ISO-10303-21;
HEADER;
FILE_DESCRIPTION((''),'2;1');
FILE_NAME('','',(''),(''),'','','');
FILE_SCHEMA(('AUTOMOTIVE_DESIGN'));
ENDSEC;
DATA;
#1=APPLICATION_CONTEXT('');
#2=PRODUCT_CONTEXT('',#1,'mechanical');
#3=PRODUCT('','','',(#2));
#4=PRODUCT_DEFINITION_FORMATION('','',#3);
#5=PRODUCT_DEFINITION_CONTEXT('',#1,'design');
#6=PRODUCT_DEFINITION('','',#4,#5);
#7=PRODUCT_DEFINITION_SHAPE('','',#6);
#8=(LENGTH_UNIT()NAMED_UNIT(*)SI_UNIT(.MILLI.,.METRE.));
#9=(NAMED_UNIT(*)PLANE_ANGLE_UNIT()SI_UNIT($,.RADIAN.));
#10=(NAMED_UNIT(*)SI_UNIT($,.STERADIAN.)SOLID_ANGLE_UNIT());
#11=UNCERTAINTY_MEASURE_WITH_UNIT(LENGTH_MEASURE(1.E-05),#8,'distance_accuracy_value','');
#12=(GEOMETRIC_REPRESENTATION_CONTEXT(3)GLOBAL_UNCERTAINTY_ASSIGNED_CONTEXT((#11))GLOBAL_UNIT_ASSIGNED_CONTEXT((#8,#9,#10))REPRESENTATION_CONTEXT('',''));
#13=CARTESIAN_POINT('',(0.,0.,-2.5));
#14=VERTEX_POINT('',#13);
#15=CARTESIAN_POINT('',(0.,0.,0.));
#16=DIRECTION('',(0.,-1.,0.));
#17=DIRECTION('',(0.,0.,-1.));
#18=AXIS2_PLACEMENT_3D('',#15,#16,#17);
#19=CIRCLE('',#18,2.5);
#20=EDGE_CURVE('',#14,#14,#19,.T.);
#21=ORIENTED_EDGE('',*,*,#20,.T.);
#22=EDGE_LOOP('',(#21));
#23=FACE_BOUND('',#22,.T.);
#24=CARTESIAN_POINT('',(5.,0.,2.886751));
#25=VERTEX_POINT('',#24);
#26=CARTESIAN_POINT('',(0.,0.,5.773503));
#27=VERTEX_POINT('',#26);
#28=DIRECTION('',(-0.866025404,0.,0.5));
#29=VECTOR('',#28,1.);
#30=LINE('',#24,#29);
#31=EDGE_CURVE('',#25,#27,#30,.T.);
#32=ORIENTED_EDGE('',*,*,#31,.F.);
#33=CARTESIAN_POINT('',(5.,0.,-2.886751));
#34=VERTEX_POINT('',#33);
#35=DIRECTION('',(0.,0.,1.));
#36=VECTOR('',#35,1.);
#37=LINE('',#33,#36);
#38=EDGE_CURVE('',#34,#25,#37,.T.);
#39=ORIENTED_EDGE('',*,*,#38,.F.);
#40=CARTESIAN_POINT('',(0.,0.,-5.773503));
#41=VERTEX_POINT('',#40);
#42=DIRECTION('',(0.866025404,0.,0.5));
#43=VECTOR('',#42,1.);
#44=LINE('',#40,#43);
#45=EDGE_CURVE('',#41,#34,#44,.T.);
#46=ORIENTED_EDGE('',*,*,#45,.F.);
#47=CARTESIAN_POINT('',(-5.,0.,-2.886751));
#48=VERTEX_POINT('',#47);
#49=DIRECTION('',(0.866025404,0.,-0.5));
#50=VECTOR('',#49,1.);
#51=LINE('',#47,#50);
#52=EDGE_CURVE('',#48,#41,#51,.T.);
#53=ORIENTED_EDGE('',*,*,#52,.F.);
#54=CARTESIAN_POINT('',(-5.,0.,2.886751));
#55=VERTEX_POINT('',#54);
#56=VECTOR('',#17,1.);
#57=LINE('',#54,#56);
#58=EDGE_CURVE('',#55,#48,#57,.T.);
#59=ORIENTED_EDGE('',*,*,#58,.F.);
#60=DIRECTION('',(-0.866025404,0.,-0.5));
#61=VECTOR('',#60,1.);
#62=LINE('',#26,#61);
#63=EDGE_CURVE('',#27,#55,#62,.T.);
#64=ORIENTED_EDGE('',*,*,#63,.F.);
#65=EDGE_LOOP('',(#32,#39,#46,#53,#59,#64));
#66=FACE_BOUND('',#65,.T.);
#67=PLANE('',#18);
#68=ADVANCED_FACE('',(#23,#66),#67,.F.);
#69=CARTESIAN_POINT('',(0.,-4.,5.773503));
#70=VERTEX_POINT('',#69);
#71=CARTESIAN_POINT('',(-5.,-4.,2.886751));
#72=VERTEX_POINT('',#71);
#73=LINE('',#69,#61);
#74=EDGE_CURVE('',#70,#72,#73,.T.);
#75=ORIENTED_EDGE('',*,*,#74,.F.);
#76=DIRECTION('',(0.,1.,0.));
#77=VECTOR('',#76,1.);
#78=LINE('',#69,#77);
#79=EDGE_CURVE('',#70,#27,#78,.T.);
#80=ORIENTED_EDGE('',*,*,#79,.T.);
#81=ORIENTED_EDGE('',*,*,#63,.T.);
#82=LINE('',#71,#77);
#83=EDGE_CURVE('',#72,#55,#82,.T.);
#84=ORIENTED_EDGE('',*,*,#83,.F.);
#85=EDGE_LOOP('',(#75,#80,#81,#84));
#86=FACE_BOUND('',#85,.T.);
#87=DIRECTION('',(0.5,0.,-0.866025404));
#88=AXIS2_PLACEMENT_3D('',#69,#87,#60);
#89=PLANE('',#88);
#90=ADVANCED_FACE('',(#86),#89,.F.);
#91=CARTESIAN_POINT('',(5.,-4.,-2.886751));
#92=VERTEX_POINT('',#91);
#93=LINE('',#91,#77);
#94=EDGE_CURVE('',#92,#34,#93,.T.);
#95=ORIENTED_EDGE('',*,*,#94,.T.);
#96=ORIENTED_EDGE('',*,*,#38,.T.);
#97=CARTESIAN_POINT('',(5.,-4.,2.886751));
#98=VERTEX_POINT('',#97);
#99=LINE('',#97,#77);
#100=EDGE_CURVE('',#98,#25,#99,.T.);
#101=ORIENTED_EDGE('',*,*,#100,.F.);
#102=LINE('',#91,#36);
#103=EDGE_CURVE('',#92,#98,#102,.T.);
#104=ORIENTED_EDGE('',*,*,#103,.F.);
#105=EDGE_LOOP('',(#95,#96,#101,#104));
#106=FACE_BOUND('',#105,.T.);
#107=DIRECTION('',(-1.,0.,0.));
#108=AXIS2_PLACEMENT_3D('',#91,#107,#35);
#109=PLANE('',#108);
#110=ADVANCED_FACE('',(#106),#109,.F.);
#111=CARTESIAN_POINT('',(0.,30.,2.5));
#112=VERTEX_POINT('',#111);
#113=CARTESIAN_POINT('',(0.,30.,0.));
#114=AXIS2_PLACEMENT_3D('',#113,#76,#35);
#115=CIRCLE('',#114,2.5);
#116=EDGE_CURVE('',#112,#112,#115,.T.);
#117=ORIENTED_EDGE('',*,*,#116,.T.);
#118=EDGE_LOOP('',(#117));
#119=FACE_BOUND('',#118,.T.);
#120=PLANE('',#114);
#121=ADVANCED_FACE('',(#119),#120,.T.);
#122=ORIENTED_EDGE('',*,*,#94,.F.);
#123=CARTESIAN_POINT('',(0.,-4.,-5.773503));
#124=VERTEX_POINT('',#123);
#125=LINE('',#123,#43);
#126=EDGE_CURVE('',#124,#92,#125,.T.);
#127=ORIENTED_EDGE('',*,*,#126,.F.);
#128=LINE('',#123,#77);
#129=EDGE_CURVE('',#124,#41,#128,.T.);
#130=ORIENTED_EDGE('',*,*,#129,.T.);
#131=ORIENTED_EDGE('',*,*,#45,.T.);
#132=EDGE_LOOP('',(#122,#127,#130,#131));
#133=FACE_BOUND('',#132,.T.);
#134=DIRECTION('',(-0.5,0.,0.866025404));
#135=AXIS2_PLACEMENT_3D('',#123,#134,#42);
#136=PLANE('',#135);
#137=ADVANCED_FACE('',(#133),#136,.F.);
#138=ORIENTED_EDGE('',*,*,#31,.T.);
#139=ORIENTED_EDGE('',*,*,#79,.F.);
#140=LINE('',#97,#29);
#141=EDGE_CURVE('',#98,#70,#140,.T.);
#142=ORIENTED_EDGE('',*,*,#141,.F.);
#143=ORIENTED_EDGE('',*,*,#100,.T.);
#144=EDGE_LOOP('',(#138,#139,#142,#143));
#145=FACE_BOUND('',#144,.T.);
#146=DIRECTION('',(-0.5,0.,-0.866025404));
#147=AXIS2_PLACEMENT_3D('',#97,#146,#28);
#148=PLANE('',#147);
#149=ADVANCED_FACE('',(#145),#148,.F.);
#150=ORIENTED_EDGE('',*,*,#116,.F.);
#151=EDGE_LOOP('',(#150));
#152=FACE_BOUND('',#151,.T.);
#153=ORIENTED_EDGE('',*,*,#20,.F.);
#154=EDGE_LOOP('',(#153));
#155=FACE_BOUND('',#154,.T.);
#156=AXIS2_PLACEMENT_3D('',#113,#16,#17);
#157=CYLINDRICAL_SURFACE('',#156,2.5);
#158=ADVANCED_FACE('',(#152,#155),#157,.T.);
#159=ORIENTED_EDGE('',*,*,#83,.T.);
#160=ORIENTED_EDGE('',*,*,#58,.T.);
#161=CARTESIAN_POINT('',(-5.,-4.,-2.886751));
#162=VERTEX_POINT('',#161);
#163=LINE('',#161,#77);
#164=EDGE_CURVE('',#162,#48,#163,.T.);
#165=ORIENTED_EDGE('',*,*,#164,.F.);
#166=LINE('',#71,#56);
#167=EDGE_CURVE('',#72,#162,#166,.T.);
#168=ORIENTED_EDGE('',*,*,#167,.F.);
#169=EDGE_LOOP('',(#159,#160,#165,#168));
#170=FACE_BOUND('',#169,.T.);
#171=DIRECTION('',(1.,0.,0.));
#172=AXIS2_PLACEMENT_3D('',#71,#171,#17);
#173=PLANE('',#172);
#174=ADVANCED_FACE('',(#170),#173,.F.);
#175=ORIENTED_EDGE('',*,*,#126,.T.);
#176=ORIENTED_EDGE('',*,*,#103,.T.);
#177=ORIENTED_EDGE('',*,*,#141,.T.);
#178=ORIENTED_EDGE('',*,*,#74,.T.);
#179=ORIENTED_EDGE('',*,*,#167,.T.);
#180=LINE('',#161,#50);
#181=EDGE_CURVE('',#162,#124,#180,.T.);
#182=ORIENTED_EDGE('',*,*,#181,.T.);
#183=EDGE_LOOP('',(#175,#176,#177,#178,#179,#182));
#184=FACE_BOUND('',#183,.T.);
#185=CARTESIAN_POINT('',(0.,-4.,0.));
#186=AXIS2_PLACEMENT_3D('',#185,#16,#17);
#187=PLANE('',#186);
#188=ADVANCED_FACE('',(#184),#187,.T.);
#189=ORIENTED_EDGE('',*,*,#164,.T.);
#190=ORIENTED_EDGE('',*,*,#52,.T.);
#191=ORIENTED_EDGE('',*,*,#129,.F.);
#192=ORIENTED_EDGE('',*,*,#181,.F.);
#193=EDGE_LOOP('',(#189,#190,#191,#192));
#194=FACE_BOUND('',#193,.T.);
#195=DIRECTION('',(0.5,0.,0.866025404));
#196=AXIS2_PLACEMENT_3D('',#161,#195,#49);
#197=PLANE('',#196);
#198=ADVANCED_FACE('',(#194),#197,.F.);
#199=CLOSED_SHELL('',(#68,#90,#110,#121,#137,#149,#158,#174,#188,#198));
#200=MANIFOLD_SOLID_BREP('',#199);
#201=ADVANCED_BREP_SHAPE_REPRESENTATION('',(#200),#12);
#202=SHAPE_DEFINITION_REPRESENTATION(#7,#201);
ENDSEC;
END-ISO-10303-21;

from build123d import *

# Parameters (mm, degrees)
SKETCH1_R           = 2.5
BOSS_EXTRUDE1_DEPTH = 30
BOSS_EXTRUDE2_DEPTH = 4


with BuildPart() as part:
    # Sketch1 → Boss-Extrude1 (new body)
    with BuildSketch(Plane(origin=(0, 0, 0), x_dir=(1, 0, 0), z_dir=(0, 1, 0))):
        Circle(SKETCH1_R)
    extrude(amount=BOSS_EXTRUDE1_DEPTH)

    # Sketch2 → Boss-Extrude2 (add)
    with BuildSketch(Plane.XZ):
        Polygon((0, 5.773502692), (-5, 2.886751346), (-5, -2.886751346), (0, -5.773502692), (5, -2.886751346), (5, 2.886751346), align=None)
    extrude(amount=BOSS_EXTRUDE2_DEPTH)


solid = part.part
